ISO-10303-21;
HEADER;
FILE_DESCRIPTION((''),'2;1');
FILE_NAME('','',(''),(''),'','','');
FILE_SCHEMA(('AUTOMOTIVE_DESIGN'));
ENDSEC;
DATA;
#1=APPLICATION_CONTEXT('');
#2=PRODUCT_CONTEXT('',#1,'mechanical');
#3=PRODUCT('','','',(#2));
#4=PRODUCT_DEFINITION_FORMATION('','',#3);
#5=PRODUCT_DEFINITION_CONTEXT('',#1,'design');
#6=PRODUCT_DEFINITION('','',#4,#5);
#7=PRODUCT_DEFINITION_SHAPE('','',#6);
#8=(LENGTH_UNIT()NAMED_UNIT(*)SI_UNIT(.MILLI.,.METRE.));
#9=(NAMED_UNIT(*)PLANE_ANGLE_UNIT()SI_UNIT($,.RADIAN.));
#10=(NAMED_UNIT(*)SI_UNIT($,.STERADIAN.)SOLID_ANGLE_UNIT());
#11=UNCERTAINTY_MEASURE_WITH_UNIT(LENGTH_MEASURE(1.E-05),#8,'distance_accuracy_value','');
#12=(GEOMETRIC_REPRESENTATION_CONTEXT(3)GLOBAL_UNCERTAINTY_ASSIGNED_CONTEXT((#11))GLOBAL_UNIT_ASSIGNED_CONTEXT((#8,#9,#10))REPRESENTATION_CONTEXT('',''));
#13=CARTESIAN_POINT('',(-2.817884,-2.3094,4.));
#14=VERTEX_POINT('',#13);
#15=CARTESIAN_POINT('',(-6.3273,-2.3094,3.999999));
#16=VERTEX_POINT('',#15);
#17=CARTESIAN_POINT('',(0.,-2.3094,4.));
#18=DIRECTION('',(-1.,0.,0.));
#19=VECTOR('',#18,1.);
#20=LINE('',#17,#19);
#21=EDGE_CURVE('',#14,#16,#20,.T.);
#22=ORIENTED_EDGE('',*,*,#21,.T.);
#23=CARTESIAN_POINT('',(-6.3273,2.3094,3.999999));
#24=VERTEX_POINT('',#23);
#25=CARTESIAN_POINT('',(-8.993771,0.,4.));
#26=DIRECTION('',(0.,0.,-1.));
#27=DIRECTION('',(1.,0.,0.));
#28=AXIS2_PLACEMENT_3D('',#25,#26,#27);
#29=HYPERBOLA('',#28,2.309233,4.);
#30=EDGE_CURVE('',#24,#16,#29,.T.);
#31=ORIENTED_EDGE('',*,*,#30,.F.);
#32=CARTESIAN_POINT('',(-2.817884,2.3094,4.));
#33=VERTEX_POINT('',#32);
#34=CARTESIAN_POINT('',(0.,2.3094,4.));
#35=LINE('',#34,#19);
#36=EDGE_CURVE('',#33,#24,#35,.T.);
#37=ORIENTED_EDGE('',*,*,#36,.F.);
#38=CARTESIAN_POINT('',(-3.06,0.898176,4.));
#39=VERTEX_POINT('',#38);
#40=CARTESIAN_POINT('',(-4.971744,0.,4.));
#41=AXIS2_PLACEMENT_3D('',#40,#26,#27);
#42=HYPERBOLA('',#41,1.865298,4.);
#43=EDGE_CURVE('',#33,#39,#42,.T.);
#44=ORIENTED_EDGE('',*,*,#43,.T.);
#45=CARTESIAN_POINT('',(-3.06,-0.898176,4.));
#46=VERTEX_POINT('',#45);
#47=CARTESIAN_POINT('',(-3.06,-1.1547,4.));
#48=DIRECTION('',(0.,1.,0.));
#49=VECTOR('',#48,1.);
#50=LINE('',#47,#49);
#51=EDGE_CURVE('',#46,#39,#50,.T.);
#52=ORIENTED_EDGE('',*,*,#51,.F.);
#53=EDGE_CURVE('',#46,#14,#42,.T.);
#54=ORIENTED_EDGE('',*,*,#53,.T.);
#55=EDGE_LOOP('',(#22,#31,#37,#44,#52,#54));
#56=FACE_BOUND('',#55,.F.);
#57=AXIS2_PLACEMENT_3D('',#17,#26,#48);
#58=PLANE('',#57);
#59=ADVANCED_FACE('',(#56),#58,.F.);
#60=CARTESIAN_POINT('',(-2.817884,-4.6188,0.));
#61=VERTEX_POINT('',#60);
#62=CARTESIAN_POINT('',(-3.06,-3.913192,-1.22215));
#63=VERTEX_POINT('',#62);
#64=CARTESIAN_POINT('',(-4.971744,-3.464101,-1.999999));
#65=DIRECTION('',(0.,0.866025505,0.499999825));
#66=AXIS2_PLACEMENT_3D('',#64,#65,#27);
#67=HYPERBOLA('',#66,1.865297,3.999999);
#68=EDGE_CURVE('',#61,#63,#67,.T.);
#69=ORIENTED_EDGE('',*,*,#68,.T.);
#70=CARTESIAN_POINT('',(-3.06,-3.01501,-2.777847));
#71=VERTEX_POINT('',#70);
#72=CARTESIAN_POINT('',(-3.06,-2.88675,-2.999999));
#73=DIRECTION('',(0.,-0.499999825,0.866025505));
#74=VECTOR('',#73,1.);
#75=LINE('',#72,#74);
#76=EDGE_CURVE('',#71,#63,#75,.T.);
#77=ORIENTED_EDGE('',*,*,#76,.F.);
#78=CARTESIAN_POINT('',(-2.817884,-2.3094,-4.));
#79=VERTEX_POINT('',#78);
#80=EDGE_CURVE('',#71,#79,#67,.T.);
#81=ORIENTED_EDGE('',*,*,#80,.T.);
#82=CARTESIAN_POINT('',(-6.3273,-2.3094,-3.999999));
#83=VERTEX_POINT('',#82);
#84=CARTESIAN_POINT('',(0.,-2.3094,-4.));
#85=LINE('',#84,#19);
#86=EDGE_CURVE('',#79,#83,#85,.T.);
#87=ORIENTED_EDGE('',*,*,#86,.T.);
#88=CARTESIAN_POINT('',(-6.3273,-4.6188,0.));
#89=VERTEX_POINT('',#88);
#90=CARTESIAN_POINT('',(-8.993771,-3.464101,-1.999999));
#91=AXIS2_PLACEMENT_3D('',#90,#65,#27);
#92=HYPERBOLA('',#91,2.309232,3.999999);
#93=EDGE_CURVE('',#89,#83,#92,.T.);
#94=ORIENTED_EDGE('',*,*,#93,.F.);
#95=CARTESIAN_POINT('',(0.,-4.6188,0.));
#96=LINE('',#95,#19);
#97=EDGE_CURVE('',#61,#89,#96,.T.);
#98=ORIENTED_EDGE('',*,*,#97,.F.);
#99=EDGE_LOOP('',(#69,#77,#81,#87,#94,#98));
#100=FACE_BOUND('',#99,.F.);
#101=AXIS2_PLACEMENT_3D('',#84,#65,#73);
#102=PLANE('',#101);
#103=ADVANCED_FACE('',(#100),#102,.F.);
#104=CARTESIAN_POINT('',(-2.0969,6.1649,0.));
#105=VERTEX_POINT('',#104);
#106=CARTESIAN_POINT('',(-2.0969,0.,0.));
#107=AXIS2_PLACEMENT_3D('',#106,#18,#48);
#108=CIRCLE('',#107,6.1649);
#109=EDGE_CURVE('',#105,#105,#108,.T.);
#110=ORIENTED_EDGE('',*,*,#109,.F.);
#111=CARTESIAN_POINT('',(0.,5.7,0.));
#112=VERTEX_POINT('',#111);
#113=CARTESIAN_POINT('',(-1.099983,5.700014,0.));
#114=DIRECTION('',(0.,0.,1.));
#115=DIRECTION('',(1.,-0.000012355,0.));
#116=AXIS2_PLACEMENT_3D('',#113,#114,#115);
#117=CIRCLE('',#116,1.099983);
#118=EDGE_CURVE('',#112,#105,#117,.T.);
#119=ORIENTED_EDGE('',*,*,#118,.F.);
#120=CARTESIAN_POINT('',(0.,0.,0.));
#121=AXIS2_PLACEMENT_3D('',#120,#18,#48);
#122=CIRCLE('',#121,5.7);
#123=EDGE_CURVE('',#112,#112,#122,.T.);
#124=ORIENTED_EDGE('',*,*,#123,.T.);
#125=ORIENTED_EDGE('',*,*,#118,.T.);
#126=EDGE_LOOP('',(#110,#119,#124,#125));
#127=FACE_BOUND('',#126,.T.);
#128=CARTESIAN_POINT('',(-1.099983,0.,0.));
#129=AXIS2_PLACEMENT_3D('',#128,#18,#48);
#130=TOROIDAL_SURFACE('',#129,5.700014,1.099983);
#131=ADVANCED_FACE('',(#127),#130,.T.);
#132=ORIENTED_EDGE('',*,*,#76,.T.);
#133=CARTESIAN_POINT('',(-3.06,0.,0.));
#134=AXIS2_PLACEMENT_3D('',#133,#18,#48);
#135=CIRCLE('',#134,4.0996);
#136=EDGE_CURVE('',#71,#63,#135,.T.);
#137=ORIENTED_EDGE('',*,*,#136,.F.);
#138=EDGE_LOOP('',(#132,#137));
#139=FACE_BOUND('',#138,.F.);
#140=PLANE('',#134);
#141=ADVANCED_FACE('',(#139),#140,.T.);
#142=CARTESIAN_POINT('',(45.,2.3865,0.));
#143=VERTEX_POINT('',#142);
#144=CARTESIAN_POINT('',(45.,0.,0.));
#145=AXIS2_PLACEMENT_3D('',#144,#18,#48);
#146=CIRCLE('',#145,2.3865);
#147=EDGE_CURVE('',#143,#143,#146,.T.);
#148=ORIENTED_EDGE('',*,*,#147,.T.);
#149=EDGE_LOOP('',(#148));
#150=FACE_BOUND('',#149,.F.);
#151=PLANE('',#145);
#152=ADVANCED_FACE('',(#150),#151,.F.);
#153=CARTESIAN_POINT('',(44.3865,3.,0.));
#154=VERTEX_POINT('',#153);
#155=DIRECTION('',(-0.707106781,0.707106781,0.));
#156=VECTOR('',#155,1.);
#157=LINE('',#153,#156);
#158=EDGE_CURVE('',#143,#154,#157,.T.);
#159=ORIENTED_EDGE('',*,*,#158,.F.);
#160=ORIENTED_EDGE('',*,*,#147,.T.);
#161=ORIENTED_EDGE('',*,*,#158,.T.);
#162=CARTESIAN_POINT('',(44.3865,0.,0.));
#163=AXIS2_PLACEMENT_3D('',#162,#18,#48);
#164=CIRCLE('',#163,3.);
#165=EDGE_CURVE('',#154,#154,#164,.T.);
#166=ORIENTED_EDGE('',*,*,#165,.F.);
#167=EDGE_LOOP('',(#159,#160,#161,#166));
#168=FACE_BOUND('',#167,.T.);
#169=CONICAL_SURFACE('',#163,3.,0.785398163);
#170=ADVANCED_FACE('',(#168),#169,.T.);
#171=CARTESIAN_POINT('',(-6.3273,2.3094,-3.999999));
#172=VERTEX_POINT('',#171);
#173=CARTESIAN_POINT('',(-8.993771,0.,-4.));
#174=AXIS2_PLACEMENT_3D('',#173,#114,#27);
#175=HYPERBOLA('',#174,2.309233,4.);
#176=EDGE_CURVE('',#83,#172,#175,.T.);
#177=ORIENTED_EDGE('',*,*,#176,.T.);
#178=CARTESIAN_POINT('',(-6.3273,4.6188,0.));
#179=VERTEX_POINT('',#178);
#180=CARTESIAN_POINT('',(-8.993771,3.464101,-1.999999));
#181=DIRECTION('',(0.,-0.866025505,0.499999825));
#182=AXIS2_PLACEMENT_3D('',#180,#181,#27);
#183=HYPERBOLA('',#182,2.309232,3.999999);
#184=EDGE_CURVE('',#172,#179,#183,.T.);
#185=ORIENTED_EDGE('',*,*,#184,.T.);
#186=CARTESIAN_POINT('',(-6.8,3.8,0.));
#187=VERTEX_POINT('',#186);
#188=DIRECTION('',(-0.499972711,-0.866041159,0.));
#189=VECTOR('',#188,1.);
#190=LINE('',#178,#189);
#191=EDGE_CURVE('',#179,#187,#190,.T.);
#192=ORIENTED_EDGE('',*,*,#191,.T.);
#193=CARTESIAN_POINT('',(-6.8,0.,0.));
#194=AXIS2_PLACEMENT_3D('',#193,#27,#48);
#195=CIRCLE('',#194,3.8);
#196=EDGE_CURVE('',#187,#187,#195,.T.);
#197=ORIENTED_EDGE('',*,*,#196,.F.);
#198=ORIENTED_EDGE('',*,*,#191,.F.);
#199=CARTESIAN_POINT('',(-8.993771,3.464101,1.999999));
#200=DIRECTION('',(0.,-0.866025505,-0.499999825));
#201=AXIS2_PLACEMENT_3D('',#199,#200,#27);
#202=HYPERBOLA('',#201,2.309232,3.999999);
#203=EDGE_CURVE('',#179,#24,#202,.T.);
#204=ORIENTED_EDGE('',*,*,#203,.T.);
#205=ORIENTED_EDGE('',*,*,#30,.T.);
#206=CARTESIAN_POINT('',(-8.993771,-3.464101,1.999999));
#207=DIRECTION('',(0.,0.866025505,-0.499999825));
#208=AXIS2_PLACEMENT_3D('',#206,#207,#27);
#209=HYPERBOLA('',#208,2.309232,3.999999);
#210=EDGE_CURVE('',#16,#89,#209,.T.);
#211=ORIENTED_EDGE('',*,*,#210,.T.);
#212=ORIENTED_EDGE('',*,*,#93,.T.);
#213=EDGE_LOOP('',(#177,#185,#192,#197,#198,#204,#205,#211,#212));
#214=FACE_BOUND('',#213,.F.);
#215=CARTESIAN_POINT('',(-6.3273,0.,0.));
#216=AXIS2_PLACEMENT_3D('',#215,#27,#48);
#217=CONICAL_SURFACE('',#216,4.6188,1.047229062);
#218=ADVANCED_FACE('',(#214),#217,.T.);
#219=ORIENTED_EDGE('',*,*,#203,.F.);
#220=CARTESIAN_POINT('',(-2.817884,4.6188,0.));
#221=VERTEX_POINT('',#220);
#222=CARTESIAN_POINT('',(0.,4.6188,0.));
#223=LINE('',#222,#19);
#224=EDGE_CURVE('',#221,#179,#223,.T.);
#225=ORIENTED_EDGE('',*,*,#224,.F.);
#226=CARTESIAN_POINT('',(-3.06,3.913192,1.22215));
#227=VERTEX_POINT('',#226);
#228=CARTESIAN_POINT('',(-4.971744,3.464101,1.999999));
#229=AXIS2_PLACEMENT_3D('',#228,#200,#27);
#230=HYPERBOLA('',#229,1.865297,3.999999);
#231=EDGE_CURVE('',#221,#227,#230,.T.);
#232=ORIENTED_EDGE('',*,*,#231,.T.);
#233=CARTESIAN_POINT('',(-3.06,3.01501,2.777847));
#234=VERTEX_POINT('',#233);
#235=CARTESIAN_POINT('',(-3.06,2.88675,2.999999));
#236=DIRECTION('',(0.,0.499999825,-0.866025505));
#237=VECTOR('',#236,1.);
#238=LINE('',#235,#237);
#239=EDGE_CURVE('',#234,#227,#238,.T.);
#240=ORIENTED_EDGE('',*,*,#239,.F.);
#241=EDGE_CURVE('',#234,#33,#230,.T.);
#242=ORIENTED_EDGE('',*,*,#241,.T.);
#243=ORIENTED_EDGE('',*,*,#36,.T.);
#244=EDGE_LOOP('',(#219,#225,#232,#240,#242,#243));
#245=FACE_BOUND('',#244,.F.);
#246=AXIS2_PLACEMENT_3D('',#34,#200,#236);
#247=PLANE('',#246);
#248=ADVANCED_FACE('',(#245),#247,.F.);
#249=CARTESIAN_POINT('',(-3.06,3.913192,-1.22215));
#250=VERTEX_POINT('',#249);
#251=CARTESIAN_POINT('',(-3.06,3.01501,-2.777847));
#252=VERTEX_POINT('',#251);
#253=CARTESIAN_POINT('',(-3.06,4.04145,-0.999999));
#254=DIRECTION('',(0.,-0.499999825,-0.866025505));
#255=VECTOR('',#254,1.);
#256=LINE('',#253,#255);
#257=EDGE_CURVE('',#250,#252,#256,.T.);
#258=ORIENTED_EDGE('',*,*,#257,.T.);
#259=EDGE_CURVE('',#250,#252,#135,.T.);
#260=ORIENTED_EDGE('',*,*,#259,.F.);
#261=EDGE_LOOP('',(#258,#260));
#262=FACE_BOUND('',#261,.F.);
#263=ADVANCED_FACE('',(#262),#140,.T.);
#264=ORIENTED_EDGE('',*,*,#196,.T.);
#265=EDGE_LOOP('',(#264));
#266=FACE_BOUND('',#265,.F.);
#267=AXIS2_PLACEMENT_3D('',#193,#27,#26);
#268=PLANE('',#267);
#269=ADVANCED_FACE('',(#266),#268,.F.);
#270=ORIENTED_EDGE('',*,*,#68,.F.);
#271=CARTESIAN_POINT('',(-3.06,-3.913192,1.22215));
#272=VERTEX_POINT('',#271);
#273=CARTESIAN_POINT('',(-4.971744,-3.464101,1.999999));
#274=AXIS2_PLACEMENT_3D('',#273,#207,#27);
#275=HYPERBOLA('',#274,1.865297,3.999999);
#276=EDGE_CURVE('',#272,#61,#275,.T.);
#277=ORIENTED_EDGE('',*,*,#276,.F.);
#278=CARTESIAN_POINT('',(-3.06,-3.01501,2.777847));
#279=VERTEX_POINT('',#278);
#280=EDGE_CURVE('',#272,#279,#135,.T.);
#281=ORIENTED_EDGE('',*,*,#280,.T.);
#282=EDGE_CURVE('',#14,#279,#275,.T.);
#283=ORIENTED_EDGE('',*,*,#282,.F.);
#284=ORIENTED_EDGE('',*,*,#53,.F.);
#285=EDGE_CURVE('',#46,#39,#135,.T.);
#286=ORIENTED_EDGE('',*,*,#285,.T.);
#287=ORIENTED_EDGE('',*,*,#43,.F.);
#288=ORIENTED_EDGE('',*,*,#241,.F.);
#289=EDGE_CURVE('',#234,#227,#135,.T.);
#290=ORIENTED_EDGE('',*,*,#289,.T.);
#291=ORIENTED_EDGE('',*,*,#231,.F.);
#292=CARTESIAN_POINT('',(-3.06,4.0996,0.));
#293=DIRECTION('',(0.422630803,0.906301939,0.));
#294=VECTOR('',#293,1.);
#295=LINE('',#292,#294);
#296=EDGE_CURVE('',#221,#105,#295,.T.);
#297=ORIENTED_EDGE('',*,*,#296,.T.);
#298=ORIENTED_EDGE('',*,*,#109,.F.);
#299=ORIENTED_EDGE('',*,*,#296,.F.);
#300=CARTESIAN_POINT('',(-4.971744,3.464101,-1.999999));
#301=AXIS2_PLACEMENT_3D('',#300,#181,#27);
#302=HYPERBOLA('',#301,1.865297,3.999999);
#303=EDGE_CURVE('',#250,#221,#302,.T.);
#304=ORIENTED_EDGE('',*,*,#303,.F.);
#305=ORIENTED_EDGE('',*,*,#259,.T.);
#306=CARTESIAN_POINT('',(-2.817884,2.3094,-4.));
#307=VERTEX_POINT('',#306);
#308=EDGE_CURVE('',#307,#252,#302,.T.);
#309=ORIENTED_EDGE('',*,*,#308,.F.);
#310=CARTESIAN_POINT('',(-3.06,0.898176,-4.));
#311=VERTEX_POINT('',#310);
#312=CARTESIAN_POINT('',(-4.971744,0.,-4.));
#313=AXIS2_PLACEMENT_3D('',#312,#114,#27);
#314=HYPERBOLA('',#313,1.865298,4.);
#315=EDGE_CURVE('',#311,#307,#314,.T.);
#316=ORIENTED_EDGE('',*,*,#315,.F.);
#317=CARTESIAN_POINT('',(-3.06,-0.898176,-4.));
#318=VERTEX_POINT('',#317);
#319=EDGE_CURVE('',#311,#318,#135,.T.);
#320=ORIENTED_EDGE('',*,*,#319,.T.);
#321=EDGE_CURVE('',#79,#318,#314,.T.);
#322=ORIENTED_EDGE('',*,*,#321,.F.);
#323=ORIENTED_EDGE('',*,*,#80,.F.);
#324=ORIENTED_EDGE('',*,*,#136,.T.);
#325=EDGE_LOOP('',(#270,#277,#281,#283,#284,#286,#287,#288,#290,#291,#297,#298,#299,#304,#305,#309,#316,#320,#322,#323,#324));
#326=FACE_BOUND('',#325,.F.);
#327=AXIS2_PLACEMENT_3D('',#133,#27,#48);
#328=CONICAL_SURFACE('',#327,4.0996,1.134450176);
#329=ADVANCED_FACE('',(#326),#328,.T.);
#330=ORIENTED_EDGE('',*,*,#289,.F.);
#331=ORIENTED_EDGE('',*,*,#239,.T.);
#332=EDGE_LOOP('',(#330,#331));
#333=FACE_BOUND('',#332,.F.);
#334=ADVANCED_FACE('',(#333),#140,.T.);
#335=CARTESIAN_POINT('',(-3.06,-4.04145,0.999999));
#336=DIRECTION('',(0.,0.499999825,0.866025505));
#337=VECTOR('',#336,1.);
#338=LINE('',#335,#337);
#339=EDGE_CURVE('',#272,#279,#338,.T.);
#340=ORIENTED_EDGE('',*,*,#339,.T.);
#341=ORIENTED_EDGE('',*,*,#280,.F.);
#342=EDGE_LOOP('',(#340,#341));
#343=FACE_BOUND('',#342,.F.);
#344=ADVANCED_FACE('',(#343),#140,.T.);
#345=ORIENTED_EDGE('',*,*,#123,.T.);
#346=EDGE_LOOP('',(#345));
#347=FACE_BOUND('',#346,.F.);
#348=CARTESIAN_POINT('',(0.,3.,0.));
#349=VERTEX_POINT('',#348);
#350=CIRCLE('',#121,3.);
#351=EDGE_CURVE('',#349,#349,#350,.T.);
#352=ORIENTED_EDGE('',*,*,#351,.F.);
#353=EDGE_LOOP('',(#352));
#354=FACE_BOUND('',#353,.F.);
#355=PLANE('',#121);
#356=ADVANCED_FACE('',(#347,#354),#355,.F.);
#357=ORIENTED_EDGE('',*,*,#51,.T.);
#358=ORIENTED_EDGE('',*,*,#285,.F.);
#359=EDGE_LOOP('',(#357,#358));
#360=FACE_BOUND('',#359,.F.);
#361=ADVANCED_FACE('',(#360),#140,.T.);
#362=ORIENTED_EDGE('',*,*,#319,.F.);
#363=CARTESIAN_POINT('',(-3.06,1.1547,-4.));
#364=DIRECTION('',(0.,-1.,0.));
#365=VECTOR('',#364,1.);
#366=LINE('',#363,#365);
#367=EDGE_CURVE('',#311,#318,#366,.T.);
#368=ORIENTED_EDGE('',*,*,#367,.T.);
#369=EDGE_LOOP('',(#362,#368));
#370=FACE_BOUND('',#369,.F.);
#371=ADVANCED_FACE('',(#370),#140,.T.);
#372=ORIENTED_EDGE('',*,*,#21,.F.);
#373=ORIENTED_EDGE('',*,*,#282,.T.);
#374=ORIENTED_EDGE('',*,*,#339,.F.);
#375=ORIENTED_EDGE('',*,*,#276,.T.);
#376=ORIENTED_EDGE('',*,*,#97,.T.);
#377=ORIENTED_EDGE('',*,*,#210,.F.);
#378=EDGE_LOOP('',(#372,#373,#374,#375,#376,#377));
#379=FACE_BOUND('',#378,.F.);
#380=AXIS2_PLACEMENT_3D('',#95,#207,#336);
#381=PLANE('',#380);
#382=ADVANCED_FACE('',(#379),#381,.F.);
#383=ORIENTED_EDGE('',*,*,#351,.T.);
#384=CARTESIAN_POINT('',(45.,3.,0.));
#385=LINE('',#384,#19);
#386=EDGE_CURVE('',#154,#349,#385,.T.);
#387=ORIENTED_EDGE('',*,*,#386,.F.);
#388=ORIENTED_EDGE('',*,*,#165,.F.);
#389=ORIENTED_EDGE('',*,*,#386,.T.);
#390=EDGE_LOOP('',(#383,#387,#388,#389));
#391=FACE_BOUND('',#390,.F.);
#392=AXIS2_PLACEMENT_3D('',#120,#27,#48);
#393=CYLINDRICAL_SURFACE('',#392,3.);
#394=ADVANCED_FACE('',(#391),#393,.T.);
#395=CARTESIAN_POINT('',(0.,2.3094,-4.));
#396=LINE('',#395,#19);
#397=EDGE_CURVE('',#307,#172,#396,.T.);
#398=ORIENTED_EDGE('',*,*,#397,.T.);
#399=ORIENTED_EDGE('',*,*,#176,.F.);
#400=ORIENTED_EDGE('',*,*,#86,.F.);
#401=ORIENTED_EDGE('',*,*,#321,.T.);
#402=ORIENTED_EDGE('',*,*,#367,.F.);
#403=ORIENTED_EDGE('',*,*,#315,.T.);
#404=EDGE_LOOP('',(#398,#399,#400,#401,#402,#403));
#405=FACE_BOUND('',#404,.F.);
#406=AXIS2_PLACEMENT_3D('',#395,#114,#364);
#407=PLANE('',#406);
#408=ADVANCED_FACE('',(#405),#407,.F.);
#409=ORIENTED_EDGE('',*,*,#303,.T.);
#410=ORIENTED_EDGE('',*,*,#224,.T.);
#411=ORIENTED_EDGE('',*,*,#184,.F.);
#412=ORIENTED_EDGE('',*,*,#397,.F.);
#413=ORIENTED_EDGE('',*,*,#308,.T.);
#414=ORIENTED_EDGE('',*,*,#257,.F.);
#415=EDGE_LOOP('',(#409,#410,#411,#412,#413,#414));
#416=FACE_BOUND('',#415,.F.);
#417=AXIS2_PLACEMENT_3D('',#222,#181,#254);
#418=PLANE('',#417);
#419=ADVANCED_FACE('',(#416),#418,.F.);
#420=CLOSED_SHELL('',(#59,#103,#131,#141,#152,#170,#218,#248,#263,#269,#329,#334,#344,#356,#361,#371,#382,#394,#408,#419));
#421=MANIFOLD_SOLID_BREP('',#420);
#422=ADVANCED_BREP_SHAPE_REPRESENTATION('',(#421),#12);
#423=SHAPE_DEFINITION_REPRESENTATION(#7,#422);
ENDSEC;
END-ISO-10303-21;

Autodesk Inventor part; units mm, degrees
ref_plane "YZ Plane" through (0, 0, 0) normal (1, 0, 0) x (0, 1, 0)
ref_plane "XZ Plane" through (0, 0, 0) normal (0, 1, 0) x (-1, 0, 0)
sketch "Schizzo1" plane through (0, 0, 0) normal (0, 0, 1) x (1, 0, 0)
  line L0 (-3.06, 0) -> (-3.06, 4.0996)
  line L1 (0, 5.7) -> (0, 3)
  line L2 (27, 3) -> (45, 3)
  line L3 (45, 3) -> (45, 0)
  line L4 (45, 0) -> (-3.06, 0)
  arc A0 (0, 5.7) -> (-2.0969, 6.1649) centre (-1.1, 5.7) ccw
  line L5 (0, -1.4013) -> (0, 8.4076) projected
  line L6 (-12.672, 0) -> (54.612, 0) projected
  line L7 (0, 3) -> (0.0001, 3)
  line L8 (0.0001, 3) -> (0.0001, 3)
  line L9 (0.0001, 3) -> (26.3865, 3)
  line L10 (26.3865, 3) -> (27, 3)
  line L11 (-3.06, 4.0996) -> (-2.0969, 6.1649)
  line L12 (0.0001, 3) -> (27, 3) construction
  line L13 (27, 3) -> (27, 0) construction
  dimension "d0" = 1.1
  dimension "d1" = 45
  dimension "d2" = 18
  dimension "d3" = 13.6
  dimension "d4" = 6
  dimension "d5" = 3.06
  dimension "d15" = 6
  dimension "d16" = 6
  dimension "d17" = 0.0001
  dimension "d18" = 0.6135
  dimension "d19" = 25
revolve "Corpo" add sketch "Schizzo1" angle 360 about axis through (45, 0, 0) along (-1, 0, 0)
sketch "Schizzo2" plane through (0, 0, 0) normal (1, 0, 0) x (0, 0, -1)
  line L0 (4, 2.3094) -> (4, -2.3094)
  line L1 (4, -2.3094) -> (0, -4.6188)
  line L2 (0, -4.6188) -> (-4, -2.3094)
  line L3 (-4, -2.3094) -> (-4, 2.3094)
  line L4 (-4, 2.3094) -> (0, 4.6188)
  line L5 (0, 4.6188) -> (4, 2.3094)
  point P0 (0, 0)
  point P1 (0, 0)
  dimension "d23" = 8
extrude "Testa" add sketch "Schizzo2" against normal blind 6.8
sketch "Schizzo3" plane through (0, 0, 0) normal (0, 0, 1) x (1, 0, 0)
  line L0 (-6.8, 3.8) -> (-6.8, 4.6188)
  line L1 (-6.8, 4.6188) -> (-6.3273, 4.6188)
  line L2 (-6.3273, 4.6188) -> (-6.8, 3.8)
  line L3 (-7.5964, 0) -> (-2.0215, 0) projected
  line L4 (-6.8, 4.6188) -> (-6.8, 2.3094) projected
  line L5 (-2.8179, 4.6188) -> (-6.8, 4.6188) projected
  point P0 (-6.8, 2.3094)
  dimension "d8" = 30
  dimension "d22" = 7.6
revolve "Smusso1" cut sketch "Schizzo3" angle 360 about axis through (-10, 0, 0) along (1, 0, 0)
thread "Filettatura" size "M6x1" class "6g" standard "ISO Metric profile" length 18
chamfer "Smusso2" distance 0.6135 distance2 0.6135 1 edges at (45, -3, 0) measured on face at (45, 0.3546, -0.711)
ref_plane "Work Plane1" through (10.95, 0, 0) normal (0, 0, -1) x (1, 0, 0)
equation "\"d0\" = PHH"
equation "\"d1\" = NLG"
equation "\"d2\" = GEL"
equation "\"d3\" = LADI"
equation "\"d4\" = GD"
equation "\"d5\" = 0.45 * KOH"
equation "\"d15\" = SD2"
equation "\"d16\" = BDM"
equation "\"d18\" = GAL"
equation "\"d19\" = KEWI"
equation "\"d23\" = SW"
equation "\"d6\" = KOH"
equation "\"d8\" = ANG1"
equation "\"d22\" = SW0"
equation "\"d10\" = GEL"
equation "\"d13\" = -0.5 * SPD + 0.5 * GD"
equation "\"d14\" = GUL"
equation "\"NLG\" = 45"
equation "\"GD\" = NND"
equation "\"BDM\" = NND"
equation "\"KOH\" = 6.8"
equation "\"GEL\" = 18"
equation "\"LADI\" = 13.6"
equation "\"SW\" = 8"
equation "\"PHH\" = RR"
equation "\"SW0\" = 7.6"
equation "\"SPD\" = NND - 1.2269 * PTC"
equation "\"SD2\" = NND"
equation "\"SD\" = 0"
equation "\"ANG1\" = 30deg"
equation "\"KEWI\" = 25deg"
equation "\"GAL\" = 0.61345 * PTC"
equation "\"GUL\" = 0.61345 * PTC"
equation "\"PTC\" = 1"
equation "\"THREADDIA\" = 6"
equation "\"E0\" = 1.155 * SW"
equation "\"TOA\" = 30deg"
equation "\"NND\" = 6"
equation "\"GD1\" = THREADDIA - 1.2269 * PTC"
equation "\"SDH\" = SW"
equation "\"KOH1\" = 2.9"
equation "\"RR\" = 1.1"
properties part number "ISO 4162 - M6 x 45" material "Acciaio inossidabile"
